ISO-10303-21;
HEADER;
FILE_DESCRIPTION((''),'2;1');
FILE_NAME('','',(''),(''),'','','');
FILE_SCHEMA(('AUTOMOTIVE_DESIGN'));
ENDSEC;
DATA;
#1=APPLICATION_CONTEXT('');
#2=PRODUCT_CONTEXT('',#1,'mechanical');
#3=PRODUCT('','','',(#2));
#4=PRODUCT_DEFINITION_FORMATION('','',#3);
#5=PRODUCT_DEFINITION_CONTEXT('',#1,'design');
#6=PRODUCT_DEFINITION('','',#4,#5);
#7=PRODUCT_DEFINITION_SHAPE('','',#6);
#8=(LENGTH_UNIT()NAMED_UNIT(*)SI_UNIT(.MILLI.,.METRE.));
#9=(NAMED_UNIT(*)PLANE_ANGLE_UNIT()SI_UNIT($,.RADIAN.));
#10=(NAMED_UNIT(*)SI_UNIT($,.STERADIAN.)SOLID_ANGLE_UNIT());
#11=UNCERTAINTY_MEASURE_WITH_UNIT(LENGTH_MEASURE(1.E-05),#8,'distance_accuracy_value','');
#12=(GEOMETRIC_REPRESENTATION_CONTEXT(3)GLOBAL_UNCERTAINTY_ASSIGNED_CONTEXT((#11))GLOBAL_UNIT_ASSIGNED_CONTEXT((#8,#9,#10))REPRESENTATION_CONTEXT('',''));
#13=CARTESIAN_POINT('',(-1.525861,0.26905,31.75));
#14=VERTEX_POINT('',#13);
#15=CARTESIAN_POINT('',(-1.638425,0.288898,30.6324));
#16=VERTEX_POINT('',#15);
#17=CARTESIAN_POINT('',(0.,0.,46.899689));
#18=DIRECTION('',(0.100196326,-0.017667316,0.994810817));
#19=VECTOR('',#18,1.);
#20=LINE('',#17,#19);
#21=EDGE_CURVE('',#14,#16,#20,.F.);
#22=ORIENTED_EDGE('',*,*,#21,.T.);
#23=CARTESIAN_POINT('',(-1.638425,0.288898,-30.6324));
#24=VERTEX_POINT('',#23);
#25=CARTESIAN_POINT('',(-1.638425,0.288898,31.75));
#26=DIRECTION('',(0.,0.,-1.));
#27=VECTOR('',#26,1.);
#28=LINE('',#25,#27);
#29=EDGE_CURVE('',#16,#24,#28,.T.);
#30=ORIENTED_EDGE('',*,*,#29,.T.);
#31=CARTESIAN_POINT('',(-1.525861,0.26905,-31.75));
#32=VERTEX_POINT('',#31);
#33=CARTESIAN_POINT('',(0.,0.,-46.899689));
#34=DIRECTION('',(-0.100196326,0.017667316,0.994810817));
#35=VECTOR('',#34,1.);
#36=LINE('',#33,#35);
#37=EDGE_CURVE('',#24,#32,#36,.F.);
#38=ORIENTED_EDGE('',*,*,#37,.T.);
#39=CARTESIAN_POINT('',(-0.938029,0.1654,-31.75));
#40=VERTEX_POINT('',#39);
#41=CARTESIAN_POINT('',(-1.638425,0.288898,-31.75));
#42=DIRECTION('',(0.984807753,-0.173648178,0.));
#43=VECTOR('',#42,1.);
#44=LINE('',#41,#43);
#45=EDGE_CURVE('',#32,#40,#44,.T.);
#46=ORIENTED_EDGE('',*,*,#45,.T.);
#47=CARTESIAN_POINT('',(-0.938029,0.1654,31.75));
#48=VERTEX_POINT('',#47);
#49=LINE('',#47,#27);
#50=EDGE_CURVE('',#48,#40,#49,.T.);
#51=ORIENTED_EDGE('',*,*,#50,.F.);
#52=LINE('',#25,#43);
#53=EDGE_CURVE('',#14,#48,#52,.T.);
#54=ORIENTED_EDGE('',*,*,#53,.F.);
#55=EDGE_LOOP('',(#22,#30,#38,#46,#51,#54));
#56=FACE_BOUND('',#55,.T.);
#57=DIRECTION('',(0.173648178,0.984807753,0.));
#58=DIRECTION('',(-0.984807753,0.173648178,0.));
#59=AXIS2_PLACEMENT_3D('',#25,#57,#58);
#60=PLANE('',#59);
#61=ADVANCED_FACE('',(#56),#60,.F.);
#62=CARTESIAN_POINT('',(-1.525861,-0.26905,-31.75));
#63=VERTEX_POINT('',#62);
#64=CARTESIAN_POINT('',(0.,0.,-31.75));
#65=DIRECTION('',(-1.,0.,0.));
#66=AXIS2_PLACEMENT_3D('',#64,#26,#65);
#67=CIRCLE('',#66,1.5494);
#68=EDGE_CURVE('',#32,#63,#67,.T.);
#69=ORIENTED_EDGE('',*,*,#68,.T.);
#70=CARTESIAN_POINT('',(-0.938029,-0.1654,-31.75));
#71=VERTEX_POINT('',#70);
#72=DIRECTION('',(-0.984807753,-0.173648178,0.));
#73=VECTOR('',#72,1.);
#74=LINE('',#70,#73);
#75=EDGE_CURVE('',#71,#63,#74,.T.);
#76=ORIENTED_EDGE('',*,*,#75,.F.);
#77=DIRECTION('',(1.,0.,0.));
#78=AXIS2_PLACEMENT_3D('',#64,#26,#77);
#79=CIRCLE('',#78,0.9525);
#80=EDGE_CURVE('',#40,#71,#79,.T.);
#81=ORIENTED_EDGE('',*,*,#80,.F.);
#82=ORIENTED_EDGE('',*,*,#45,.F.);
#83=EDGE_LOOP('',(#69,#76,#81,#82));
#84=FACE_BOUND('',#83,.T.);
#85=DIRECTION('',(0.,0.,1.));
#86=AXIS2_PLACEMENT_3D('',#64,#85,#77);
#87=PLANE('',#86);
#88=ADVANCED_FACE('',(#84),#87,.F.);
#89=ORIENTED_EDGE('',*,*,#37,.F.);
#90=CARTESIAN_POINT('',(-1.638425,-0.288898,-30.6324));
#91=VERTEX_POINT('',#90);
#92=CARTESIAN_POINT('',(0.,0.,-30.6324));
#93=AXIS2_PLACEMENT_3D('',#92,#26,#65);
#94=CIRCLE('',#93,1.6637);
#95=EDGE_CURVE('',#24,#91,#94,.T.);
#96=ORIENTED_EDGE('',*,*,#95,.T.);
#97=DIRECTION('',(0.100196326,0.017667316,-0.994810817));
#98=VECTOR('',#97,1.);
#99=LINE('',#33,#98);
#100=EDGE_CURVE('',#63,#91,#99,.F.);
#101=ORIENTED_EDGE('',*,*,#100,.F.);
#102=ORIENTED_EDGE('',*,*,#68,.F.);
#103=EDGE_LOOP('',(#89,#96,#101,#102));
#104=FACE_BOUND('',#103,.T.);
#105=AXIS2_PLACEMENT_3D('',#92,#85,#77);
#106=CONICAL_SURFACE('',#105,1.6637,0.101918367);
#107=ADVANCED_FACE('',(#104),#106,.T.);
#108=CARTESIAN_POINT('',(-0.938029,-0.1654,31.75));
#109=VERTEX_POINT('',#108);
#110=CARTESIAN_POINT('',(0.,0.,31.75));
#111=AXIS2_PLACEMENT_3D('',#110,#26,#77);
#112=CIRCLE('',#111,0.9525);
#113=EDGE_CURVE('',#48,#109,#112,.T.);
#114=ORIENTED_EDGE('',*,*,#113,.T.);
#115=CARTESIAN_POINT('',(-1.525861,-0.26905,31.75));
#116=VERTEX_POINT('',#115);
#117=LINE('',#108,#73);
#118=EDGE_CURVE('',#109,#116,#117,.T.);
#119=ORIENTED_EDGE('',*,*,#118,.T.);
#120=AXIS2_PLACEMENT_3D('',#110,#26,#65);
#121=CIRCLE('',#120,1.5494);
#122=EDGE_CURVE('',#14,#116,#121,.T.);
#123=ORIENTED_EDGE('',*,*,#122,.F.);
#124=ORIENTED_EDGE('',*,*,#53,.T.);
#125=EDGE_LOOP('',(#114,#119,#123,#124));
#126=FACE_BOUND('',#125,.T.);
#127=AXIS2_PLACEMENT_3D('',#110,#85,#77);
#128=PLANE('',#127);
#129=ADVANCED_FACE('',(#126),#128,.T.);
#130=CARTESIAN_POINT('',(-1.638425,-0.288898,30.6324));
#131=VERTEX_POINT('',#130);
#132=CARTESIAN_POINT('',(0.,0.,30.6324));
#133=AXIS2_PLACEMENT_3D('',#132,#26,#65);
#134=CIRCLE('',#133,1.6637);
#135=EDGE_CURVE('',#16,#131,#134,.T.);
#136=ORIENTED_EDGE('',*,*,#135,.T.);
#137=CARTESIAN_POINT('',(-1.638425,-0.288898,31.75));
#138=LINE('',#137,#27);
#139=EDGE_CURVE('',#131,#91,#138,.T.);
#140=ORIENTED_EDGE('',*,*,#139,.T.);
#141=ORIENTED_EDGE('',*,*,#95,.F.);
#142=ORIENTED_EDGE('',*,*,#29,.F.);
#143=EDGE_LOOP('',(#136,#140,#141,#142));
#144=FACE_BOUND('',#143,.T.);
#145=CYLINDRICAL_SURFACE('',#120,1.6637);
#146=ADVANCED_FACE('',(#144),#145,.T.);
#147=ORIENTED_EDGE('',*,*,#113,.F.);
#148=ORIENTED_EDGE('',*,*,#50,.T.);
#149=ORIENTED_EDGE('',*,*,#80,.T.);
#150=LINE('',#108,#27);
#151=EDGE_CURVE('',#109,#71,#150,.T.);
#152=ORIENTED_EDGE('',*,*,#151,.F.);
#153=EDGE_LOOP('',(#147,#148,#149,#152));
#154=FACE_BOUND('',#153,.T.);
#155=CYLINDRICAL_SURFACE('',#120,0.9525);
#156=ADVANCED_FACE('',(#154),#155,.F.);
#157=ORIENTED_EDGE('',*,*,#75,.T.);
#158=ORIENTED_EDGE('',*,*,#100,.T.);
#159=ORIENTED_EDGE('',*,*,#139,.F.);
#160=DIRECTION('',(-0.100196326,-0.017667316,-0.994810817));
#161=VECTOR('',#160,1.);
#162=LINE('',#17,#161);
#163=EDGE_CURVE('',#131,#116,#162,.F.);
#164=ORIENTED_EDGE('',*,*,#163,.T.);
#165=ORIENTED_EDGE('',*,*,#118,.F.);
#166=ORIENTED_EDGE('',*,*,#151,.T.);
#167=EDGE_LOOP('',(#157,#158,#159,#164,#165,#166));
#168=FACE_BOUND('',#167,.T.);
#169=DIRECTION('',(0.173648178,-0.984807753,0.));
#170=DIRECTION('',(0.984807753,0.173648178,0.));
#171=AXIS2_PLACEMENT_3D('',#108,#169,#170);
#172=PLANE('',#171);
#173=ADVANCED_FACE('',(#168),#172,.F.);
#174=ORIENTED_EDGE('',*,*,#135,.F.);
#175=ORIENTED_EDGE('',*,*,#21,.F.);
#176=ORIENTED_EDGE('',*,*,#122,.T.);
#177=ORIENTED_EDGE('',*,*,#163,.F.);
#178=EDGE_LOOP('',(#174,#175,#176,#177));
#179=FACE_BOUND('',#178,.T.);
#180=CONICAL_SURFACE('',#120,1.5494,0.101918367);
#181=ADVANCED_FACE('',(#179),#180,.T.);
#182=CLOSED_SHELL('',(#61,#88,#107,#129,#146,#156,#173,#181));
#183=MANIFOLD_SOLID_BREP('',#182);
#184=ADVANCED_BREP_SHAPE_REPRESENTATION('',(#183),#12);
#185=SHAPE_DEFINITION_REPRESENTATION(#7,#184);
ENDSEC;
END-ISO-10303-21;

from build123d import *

# Parameters (mm, degrees)
EXTRUDE1_DEPTH = 31.75


with BuildPart() as part:
    # Sketch1 → Extrude1 (new body, symmetric)
    with BuildSketch(Plane.XY):
        with BuildLine():
            Line((-1.638424659, 0.288898473), (-0.938029385, 0.165399889))
            ThreePointArc((-0.938029385, 0.165399889), (0.9525, 0), (-0.938029385, -0.165399889))
            Line((-0.938029385, -0.165399889), (-1.638424659, -0.288898473))
            ThreePointArc((-1.638424659, -0.288898473), (1.6637, 0), (-1.638424659, 0.288898473))
        make_face()
    extrude(amount=EXTRUDE1_DEPTH, both=True)

    # Sketch2 → Cut-Revolve1 (revolve, cut)
    with BuildSketch(Plane(origin=(0, 0, 0), x_dir=(0, 0, -1), z_dir=(1, 0, 0))):
        Polygon((31.75, 1.6637), (31.75, 1.5494), (30.6324, 1.6637), align=None)
        Polygon((-30.6324, 1.6637), (-31.75, 1.6637), (-31.75, 1.5494), align=None)
    revolve(axis=Axis((0, 0, -31.75), (0, 0, 1)), mode=Mode.SUBTRACT)


solid = part.part
